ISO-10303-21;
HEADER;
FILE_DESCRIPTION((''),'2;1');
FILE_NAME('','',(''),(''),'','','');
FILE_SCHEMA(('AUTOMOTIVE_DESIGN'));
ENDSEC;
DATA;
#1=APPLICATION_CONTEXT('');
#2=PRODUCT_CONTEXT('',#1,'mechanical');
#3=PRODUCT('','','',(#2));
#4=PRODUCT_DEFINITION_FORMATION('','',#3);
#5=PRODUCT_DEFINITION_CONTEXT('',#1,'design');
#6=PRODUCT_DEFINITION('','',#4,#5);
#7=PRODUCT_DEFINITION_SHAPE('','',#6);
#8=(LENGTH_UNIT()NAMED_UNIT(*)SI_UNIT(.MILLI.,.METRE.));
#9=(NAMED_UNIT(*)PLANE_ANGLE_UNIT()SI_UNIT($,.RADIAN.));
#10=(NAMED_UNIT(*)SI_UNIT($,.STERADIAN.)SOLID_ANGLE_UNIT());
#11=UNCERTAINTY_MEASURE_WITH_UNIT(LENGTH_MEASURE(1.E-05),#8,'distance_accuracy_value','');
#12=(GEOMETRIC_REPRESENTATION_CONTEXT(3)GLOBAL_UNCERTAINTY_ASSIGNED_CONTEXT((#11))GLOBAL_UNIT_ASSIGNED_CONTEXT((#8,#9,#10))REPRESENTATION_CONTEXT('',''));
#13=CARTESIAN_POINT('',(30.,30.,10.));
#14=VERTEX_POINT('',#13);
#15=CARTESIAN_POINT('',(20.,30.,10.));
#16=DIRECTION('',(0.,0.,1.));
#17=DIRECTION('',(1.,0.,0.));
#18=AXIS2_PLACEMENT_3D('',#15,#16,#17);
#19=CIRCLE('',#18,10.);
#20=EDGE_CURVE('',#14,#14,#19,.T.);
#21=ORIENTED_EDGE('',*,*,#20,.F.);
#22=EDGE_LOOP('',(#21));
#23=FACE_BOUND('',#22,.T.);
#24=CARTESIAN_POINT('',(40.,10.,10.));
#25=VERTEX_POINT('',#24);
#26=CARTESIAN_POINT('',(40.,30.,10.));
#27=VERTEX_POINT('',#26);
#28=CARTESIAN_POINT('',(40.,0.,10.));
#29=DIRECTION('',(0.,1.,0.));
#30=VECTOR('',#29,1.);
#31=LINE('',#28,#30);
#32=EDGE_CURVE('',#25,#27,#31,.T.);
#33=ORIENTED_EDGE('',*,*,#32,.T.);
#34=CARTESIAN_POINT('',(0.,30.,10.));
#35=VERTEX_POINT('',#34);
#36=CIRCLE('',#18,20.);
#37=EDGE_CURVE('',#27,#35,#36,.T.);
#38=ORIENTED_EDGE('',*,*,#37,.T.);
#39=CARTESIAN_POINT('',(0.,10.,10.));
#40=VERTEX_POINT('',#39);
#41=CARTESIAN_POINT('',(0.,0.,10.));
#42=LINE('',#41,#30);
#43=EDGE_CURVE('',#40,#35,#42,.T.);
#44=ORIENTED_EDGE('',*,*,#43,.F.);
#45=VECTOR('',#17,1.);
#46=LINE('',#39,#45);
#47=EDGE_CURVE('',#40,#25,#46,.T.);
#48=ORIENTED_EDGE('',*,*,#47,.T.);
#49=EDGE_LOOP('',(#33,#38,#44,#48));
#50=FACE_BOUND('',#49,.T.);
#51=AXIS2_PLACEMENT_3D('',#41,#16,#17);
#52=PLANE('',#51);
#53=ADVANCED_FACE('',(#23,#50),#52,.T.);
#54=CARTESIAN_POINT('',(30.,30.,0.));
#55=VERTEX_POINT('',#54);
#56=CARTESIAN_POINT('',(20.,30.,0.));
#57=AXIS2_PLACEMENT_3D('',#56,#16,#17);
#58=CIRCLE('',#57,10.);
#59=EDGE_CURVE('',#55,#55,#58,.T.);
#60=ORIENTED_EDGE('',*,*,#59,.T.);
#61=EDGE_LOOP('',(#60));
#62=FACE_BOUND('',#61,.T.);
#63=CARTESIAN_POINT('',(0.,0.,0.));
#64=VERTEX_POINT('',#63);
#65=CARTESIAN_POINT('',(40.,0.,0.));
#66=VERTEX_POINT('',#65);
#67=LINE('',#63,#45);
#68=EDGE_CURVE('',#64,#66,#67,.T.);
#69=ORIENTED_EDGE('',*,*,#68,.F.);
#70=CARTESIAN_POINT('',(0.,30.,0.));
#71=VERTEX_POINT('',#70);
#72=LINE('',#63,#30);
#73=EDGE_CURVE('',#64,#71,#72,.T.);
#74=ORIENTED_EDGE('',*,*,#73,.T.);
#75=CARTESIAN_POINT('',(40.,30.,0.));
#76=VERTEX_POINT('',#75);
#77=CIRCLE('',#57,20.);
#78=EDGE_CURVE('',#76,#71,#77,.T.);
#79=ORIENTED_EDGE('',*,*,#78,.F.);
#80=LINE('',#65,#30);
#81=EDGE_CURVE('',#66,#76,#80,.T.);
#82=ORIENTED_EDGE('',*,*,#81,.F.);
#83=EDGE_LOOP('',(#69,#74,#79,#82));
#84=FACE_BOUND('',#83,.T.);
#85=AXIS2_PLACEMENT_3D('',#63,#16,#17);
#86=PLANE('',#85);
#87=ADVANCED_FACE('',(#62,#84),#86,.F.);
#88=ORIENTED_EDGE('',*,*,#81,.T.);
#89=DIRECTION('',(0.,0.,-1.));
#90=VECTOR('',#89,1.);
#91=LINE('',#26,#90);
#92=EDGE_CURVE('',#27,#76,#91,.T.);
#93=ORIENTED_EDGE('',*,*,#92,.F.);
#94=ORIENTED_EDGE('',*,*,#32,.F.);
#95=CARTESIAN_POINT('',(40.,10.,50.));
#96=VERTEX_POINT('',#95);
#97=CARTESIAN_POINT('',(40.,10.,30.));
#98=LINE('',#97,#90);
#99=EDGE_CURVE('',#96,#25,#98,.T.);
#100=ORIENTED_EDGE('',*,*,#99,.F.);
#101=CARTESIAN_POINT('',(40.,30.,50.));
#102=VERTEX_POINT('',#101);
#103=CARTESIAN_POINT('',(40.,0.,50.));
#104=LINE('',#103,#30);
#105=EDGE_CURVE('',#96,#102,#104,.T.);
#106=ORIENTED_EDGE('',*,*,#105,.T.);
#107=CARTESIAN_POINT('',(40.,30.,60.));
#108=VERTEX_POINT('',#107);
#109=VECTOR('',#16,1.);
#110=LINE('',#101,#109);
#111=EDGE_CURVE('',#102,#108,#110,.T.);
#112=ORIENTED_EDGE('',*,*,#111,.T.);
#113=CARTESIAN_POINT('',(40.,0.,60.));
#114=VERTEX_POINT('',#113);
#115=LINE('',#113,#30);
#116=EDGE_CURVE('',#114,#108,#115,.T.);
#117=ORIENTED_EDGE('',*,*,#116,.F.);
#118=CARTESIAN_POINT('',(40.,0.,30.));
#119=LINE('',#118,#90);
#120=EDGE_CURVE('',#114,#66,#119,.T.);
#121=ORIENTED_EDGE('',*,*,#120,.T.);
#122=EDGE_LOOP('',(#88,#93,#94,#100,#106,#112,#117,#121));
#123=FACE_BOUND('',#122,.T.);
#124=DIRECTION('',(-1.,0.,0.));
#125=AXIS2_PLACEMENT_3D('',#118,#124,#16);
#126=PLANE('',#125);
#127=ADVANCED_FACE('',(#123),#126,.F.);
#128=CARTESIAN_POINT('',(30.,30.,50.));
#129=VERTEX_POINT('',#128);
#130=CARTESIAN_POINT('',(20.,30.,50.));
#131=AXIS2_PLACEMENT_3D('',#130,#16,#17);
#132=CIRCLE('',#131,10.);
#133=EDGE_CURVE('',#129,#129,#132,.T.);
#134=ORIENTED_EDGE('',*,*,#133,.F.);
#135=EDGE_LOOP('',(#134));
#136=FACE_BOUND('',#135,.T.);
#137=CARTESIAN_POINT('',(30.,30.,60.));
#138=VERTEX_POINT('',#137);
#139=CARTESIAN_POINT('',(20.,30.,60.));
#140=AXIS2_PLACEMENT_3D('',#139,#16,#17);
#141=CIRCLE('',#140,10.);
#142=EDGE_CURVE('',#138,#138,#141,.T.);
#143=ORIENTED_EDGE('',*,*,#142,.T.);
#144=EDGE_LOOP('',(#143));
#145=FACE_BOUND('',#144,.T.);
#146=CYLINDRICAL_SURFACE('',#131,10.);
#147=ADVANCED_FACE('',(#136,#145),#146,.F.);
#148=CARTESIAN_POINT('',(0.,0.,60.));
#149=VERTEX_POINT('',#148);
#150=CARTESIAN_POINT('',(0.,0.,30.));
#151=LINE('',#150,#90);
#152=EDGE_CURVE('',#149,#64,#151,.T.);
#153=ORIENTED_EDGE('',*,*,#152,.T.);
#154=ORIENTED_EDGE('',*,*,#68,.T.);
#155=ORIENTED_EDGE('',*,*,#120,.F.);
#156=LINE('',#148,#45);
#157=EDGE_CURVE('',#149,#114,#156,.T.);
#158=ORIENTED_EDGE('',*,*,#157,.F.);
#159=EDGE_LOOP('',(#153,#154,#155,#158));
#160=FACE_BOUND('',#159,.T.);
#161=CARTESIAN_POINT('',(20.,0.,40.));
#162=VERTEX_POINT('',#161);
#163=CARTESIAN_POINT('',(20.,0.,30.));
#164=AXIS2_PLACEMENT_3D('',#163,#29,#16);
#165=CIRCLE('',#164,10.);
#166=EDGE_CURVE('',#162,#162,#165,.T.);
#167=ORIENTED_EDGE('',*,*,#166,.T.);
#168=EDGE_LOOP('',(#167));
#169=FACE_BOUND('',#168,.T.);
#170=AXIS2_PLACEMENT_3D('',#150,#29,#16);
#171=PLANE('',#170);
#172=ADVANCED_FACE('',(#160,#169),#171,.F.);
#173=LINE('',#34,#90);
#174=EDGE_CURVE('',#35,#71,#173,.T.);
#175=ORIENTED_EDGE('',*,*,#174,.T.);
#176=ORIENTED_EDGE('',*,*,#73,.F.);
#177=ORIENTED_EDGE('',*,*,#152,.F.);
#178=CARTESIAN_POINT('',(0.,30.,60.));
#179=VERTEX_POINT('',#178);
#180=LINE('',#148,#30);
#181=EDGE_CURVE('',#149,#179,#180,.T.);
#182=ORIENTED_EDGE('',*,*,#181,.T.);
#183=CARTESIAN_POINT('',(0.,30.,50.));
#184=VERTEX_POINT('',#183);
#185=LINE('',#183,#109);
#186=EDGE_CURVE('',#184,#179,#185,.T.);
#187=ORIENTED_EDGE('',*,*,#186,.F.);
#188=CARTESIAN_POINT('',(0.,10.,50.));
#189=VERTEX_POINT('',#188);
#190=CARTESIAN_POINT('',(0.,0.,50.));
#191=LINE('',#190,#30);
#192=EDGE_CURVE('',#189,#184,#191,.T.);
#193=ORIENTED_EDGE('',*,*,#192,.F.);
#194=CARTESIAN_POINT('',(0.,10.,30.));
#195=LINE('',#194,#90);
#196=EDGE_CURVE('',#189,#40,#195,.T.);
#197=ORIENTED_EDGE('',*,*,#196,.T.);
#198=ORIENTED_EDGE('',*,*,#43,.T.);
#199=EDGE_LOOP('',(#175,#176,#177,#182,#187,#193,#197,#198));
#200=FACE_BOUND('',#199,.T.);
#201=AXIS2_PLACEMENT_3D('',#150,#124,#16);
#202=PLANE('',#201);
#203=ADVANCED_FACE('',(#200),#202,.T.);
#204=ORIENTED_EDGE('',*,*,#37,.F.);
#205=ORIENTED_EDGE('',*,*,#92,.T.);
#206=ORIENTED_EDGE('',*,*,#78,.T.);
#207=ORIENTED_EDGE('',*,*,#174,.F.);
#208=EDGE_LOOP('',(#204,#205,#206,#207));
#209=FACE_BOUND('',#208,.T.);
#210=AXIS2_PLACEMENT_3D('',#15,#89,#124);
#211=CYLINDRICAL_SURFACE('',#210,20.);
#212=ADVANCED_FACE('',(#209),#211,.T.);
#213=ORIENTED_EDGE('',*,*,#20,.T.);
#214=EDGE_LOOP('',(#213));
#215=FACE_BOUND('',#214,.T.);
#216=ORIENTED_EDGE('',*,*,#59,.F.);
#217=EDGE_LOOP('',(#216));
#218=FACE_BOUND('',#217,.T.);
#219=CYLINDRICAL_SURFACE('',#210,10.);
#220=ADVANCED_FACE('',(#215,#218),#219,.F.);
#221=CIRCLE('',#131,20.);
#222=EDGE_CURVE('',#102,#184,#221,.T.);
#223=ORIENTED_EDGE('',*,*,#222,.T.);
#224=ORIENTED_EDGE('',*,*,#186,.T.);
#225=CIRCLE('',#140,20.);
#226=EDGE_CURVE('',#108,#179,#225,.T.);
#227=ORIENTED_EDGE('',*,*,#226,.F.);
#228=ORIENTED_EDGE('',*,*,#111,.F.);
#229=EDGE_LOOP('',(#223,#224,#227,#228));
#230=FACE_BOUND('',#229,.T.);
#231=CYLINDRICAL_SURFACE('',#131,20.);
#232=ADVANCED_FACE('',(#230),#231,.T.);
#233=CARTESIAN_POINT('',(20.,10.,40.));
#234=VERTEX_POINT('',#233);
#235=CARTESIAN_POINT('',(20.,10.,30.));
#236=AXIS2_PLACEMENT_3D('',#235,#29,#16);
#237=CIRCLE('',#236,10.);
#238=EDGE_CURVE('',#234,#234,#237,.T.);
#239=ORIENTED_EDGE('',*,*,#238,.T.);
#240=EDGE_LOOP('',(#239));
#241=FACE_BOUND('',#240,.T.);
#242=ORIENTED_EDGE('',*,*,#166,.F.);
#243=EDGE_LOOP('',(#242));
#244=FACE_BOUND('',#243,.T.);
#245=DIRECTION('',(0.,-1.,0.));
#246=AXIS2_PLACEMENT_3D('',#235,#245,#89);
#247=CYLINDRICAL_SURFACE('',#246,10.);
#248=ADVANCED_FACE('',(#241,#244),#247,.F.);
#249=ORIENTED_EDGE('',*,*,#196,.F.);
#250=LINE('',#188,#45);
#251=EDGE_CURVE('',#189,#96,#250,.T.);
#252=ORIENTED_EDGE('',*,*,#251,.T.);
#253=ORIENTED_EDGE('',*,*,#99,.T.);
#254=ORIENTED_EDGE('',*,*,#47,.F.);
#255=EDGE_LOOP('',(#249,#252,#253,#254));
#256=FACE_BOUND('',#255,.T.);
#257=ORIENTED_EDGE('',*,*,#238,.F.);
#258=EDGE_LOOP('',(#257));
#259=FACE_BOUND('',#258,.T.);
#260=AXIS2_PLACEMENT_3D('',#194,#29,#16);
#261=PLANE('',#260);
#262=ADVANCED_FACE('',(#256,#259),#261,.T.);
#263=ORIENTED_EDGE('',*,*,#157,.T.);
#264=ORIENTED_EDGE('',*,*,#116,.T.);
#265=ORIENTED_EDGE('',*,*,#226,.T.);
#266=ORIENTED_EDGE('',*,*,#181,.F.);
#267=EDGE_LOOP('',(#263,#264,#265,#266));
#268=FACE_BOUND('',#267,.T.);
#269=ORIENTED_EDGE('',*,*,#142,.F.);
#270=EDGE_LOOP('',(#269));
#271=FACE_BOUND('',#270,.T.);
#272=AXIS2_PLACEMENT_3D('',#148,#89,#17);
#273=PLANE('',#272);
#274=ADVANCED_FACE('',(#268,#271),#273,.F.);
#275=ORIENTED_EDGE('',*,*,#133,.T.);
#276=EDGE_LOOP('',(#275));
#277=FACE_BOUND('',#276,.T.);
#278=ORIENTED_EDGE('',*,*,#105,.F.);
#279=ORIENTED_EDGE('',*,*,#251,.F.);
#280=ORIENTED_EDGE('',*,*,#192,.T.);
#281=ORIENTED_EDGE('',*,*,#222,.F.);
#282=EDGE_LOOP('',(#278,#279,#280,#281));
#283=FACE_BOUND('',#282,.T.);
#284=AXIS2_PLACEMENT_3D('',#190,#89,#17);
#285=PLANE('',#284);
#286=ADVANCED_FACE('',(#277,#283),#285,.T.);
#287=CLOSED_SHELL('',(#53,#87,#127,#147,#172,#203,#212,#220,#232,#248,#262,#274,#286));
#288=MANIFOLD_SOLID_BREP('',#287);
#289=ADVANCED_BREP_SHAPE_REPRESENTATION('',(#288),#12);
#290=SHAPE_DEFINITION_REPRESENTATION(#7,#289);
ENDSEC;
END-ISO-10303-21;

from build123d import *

# Parameters (mm, degrees)
SKETCH1_W           = 40
SKETCH1_H           = 10
BOSS_EXTRUDE1_DEPTH = 30
SKETCH1_3_R         = 10
BOSS_EXTRUDE2_DEPTH = 10
SKETCH3_R           = 10
CUT_EXTRUDE1_DEPTH  = 10


with BuildPart() as part:
    # Sketch1 → Boss-Extrude1 (new body)
    with BuildSketch(Plane.XY):
        with Locations((20, 5)):
            Rectangle(SKETCH1_W, SKETCH1_H)
    boss_extrude1 = extrude(amount=BOSS_EXTRUDE1_DEPTH)

    # Sketch1<3> → Boss-Extrude2 (add)
    with BuildSketch(Plane.XY):
        with BuildLine():
            Line((0, 30), (0, 10))
            Line((0, 10), (40, 10))
            Line((40, 10), (40, 30))
            ThreePointArc((40, 30), (20, 50), (0, 30))
        make_face()
        with Locations((20, 30)):
            Circle(SKETCH1_3_R, mode=Mode.SUBTRACT)
    boss_extrude2 = extrude(amount=BOSS_EXTRUDE2_DEPTH)

    # Mirror2: Boss-Extrude1, Boss-Extrude2 across plane
    add(boss_extrude1.mirror(Plane.XY.offset(30)))
    add(boss_extrude2.mirror(Plane.XY.offset(30)))

    # Sketch3 → Cut-Extrude1 (cut)
    with BuildSketch(Plane(origin=(0, 0, 0), x_dir=(1, 0, 0), z_dir=(0, 1, 0))):
        with Locations((20, -30)):
            Circle(SKETCH3_R)
    extrude(amount=CUT_EXTRUDE1_DEPTH, mode=Mode.SUBTRACT)


solid = part.part
